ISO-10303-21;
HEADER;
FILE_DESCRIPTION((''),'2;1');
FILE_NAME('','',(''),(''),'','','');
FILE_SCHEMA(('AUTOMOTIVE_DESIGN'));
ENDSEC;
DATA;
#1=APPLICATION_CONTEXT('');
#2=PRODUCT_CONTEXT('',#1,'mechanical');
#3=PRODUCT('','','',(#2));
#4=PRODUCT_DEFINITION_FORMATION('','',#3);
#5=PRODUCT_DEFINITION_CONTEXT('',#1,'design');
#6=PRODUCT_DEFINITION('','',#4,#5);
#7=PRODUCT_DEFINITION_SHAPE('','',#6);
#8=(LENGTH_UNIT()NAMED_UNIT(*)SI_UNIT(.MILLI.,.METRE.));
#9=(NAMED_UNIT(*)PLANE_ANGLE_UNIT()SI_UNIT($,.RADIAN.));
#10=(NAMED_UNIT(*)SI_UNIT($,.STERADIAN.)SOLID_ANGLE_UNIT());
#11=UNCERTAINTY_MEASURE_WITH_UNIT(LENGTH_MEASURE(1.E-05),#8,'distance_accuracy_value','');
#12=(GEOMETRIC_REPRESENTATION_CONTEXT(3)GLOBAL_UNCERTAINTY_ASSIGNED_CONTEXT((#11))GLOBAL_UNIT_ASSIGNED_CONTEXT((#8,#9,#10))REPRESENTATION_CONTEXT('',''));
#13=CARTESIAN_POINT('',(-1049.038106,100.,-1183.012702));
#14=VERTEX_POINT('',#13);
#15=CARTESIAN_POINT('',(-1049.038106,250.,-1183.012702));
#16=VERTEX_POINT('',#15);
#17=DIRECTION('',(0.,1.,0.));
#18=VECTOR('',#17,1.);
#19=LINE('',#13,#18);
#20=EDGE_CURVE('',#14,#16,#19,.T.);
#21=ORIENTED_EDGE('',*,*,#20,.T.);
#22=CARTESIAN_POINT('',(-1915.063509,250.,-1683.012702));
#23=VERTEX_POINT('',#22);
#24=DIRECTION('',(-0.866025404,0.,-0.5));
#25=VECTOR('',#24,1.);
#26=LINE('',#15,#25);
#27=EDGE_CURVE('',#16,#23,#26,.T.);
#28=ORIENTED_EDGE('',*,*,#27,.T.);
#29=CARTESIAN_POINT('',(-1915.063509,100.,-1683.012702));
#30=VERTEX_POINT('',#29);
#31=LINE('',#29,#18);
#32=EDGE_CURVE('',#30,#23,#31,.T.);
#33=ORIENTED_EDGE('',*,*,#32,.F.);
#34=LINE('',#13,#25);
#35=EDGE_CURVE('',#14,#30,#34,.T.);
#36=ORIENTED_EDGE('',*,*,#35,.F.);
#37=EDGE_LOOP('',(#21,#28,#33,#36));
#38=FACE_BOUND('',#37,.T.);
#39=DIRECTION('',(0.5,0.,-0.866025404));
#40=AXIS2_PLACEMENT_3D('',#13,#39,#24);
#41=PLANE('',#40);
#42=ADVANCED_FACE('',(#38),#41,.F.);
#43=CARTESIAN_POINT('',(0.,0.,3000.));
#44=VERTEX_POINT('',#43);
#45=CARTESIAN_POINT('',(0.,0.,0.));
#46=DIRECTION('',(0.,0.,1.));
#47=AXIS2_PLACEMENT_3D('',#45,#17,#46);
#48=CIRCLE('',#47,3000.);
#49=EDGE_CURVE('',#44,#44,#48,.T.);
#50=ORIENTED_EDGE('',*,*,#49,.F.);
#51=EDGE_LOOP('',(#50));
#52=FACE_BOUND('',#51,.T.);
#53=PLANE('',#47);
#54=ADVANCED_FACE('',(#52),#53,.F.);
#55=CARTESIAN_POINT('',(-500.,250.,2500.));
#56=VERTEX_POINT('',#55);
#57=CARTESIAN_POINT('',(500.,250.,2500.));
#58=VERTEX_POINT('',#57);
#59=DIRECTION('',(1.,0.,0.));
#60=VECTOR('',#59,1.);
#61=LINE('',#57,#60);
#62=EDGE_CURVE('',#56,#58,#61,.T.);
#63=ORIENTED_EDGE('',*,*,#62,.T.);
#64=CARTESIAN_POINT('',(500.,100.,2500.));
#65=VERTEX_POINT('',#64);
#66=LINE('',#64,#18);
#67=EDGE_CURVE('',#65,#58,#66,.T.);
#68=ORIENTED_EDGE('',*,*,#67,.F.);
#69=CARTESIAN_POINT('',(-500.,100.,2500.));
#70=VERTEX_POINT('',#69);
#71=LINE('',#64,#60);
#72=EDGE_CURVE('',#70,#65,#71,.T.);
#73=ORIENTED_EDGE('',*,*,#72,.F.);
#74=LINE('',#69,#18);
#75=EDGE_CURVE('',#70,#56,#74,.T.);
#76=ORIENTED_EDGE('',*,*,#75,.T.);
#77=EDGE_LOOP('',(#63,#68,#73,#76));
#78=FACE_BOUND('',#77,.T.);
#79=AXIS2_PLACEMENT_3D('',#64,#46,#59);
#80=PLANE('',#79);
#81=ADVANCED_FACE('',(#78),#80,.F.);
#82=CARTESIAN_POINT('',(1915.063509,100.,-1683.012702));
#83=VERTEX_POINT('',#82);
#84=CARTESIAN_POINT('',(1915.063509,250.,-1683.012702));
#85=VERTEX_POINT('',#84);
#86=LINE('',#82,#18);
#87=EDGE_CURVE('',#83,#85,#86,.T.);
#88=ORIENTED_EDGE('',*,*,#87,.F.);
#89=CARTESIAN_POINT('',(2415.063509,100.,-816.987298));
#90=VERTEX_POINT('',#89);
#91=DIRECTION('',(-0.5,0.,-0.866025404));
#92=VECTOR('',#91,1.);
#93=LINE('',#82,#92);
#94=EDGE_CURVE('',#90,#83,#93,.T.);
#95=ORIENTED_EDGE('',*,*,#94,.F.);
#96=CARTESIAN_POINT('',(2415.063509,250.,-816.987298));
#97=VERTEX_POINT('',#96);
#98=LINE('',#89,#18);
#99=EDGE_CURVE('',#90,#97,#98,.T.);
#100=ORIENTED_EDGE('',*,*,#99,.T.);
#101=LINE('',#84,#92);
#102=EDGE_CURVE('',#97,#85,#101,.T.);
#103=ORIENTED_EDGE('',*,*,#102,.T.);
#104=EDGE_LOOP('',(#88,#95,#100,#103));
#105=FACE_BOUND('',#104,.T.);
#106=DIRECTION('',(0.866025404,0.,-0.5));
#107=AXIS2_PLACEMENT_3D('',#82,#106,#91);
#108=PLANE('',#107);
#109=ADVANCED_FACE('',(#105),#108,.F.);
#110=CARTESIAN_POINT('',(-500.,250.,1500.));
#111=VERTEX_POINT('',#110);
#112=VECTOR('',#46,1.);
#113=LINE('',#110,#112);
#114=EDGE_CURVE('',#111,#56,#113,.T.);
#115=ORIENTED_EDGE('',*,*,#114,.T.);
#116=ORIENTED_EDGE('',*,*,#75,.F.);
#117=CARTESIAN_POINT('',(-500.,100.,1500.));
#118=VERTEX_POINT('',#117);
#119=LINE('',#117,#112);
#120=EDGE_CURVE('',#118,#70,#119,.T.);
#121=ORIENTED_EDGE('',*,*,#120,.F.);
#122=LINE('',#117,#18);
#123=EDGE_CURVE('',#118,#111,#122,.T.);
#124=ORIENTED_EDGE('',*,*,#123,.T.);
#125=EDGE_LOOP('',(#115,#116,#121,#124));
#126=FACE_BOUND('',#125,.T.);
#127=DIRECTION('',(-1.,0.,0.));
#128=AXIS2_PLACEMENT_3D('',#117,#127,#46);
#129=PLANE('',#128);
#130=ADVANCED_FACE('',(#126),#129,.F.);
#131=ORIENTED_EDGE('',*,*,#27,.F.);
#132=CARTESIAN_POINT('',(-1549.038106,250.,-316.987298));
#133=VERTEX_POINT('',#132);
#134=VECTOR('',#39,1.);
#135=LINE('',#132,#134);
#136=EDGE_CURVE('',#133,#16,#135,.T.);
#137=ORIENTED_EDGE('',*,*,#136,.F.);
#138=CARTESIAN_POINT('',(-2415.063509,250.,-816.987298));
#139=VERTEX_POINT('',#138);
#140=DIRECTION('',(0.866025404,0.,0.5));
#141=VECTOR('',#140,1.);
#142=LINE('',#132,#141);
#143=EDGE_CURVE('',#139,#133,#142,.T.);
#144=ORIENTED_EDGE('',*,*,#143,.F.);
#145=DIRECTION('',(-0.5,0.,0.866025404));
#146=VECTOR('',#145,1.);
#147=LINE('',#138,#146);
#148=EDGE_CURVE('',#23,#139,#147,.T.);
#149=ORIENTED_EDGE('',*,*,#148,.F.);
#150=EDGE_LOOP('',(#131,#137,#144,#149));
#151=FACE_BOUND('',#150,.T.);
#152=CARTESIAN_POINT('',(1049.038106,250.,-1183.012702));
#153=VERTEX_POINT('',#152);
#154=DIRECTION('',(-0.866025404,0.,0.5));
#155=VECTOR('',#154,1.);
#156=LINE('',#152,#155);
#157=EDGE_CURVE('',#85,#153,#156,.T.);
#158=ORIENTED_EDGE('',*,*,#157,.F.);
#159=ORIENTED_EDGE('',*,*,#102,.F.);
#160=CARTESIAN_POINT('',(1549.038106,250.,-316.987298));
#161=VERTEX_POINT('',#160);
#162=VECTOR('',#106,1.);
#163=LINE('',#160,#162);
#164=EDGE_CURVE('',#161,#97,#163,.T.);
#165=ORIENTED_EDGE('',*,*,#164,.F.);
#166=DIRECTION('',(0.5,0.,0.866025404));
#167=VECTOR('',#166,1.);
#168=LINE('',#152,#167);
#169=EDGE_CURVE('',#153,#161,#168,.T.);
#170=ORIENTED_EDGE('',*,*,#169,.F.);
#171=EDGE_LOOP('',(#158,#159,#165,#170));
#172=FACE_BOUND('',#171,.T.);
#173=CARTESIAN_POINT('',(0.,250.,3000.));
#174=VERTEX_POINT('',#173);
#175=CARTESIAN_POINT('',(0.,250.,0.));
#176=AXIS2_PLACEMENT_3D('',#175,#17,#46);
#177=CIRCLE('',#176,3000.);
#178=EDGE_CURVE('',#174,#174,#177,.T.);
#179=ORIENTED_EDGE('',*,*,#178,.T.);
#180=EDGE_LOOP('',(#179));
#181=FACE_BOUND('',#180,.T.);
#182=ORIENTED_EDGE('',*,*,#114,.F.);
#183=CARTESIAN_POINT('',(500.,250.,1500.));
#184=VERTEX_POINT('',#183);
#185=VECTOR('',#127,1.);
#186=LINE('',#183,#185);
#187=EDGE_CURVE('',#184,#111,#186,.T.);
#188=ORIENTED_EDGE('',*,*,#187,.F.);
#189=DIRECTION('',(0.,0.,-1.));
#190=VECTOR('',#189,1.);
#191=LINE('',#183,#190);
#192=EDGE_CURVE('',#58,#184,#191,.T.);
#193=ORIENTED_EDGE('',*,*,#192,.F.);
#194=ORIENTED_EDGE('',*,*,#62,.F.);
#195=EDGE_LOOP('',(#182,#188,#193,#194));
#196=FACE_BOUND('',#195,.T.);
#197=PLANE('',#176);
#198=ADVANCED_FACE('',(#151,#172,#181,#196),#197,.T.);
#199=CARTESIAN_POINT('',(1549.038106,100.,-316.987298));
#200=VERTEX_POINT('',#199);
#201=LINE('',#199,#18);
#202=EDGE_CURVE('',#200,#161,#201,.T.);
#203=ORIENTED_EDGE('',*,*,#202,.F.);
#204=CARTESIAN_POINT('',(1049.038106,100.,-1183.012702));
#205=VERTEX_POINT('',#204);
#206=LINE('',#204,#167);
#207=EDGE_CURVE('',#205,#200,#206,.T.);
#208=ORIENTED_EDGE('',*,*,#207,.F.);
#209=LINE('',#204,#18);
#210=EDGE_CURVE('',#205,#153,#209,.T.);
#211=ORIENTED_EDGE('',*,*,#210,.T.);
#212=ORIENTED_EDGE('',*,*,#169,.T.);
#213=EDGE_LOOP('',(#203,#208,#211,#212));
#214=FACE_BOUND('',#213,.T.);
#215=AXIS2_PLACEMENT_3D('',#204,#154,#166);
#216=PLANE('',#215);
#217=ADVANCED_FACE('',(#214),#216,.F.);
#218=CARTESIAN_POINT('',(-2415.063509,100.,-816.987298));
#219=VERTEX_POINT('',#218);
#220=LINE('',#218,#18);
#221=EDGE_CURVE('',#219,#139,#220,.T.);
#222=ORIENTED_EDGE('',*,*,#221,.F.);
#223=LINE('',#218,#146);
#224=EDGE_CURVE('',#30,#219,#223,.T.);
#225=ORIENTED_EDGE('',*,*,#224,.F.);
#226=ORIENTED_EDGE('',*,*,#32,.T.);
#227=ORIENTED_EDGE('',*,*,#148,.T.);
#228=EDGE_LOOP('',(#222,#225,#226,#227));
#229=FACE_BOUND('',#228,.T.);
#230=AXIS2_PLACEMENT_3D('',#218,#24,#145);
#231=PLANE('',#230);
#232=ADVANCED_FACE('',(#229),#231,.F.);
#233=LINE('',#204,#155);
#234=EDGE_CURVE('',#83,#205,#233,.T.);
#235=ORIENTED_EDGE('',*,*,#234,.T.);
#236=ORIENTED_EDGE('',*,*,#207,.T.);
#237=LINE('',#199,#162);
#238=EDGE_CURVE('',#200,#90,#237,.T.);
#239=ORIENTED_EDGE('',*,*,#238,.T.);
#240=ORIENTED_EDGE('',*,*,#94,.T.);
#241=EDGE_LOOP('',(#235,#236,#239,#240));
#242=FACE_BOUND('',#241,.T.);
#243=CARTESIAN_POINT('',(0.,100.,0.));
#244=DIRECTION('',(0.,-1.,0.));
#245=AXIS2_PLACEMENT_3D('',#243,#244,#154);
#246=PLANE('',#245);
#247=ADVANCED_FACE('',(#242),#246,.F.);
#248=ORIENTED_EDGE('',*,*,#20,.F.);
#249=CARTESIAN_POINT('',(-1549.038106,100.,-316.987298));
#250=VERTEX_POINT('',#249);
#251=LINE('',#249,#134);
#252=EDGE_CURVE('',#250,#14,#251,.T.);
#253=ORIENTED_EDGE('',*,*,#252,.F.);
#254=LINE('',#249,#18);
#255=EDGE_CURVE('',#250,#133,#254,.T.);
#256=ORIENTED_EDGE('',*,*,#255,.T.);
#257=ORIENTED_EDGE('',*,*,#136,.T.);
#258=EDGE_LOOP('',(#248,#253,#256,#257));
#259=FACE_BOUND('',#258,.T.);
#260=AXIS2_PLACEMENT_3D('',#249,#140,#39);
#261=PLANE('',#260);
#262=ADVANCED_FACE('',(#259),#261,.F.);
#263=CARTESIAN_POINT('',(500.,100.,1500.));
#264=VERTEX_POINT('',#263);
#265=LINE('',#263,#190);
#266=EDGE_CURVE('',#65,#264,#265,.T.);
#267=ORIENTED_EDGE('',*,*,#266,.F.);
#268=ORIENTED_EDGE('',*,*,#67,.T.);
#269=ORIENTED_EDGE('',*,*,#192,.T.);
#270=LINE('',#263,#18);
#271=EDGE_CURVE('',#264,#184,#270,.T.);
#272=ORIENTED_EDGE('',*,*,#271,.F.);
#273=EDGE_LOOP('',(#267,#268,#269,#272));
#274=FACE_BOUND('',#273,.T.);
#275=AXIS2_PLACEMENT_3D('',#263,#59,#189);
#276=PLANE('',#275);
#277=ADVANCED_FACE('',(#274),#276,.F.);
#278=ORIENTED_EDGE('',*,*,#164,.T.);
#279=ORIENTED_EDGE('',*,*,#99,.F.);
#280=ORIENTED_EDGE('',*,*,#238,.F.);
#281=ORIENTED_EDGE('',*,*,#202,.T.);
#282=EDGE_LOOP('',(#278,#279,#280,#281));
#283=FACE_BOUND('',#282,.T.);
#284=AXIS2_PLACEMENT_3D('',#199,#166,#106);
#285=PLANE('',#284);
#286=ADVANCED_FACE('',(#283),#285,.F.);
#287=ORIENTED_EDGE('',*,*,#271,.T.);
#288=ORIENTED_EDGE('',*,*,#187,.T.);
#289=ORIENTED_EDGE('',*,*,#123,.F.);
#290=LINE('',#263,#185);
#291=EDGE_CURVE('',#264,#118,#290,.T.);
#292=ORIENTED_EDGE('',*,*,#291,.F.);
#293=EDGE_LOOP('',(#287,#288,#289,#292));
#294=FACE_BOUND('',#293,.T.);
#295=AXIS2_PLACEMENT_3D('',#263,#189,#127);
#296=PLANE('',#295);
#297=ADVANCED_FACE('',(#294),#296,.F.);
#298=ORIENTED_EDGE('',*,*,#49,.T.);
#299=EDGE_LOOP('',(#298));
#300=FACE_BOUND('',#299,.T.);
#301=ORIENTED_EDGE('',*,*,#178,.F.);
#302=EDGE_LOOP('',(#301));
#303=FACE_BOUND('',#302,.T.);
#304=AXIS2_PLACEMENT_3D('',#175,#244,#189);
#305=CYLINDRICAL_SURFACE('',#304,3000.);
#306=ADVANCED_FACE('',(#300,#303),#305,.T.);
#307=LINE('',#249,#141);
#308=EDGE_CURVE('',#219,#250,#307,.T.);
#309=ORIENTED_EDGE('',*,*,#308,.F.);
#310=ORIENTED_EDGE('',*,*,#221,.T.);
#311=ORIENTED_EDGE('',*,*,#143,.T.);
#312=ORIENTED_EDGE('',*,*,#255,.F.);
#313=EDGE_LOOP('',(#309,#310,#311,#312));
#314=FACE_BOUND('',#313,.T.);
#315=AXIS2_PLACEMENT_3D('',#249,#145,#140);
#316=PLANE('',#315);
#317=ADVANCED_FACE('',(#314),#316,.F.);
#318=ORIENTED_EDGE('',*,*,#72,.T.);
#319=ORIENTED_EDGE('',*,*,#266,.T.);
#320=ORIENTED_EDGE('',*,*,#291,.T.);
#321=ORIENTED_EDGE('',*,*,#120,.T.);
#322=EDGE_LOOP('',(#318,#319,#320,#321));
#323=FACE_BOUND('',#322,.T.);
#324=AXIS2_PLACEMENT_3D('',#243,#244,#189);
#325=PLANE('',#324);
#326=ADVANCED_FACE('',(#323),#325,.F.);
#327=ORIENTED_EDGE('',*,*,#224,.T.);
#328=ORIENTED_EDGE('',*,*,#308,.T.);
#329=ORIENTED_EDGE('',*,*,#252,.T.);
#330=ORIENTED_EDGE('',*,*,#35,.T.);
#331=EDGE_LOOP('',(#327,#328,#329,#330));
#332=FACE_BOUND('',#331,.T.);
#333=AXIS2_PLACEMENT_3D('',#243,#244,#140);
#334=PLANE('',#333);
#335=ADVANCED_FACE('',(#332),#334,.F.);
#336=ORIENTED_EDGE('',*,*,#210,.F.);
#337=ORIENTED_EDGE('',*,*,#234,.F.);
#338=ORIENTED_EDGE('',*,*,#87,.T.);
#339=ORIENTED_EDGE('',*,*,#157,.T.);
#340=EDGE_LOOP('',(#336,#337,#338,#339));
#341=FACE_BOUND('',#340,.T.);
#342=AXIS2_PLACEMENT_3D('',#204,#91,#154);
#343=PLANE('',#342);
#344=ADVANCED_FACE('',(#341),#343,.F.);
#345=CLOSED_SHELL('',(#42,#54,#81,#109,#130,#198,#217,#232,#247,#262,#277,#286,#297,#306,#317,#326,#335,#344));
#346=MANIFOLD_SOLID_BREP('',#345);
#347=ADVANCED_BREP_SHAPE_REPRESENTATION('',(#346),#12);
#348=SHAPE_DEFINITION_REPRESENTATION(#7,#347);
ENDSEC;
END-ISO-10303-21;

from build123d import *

# Parameters (mm, degrees)
SKETCH1_R           = 3000
BOSS_EXTRUDE1_DEPTH = 250
SKETCH2_W           = 1000
SKETCH2_H           = 1000
CUT_EXTRUDE1_DEPTH  = 150
CIRPATTERN1_COUNT   = 3


with BuildPart() as part:
    # Sketch1 → Boss-Extrude1 (new body)
    with BuildSketch(Plane(origin=(0, 0, 0), x_dir=(1, 0, 0), z_dir=(0, 1, 0))):
        with Locations(Location((0, 0, 0), (0, 0, 270))):
            Circle(SKETCH1_R)
    extrude(amount=BOSS_EXTRUDE1_DEPTH)

    # Sketch2 → Cut-Extrude1 (cut)
    with BuildSketch(Plane(origin=(0, 250, 0), x_dir=(1, 0, 0), z_dir=(0, 1, 0))):
        with Locations((0, -2000)):
            Rectangle(SKETCH2_W, SKETCH2_H)
    cut_extrude1 = extrude(amount=-CUT_EXTRUDE1_DEPTH, mode=Mode.SUBTRACT)

    # CirPattern1: Cut-Extrude1 ×3 about axis
    cirpattern1_axis = Axis((0, 0, 0), (0, 1, 0))
    for i in range(1, CIRPATTERN1_COUNT):
        add(cut_extrude1.rotate(cirpattern1_axis, i * 360 / CIRPATTERN1_COUNT), mode=Mode.SUBTRACT)


solid = part.part
